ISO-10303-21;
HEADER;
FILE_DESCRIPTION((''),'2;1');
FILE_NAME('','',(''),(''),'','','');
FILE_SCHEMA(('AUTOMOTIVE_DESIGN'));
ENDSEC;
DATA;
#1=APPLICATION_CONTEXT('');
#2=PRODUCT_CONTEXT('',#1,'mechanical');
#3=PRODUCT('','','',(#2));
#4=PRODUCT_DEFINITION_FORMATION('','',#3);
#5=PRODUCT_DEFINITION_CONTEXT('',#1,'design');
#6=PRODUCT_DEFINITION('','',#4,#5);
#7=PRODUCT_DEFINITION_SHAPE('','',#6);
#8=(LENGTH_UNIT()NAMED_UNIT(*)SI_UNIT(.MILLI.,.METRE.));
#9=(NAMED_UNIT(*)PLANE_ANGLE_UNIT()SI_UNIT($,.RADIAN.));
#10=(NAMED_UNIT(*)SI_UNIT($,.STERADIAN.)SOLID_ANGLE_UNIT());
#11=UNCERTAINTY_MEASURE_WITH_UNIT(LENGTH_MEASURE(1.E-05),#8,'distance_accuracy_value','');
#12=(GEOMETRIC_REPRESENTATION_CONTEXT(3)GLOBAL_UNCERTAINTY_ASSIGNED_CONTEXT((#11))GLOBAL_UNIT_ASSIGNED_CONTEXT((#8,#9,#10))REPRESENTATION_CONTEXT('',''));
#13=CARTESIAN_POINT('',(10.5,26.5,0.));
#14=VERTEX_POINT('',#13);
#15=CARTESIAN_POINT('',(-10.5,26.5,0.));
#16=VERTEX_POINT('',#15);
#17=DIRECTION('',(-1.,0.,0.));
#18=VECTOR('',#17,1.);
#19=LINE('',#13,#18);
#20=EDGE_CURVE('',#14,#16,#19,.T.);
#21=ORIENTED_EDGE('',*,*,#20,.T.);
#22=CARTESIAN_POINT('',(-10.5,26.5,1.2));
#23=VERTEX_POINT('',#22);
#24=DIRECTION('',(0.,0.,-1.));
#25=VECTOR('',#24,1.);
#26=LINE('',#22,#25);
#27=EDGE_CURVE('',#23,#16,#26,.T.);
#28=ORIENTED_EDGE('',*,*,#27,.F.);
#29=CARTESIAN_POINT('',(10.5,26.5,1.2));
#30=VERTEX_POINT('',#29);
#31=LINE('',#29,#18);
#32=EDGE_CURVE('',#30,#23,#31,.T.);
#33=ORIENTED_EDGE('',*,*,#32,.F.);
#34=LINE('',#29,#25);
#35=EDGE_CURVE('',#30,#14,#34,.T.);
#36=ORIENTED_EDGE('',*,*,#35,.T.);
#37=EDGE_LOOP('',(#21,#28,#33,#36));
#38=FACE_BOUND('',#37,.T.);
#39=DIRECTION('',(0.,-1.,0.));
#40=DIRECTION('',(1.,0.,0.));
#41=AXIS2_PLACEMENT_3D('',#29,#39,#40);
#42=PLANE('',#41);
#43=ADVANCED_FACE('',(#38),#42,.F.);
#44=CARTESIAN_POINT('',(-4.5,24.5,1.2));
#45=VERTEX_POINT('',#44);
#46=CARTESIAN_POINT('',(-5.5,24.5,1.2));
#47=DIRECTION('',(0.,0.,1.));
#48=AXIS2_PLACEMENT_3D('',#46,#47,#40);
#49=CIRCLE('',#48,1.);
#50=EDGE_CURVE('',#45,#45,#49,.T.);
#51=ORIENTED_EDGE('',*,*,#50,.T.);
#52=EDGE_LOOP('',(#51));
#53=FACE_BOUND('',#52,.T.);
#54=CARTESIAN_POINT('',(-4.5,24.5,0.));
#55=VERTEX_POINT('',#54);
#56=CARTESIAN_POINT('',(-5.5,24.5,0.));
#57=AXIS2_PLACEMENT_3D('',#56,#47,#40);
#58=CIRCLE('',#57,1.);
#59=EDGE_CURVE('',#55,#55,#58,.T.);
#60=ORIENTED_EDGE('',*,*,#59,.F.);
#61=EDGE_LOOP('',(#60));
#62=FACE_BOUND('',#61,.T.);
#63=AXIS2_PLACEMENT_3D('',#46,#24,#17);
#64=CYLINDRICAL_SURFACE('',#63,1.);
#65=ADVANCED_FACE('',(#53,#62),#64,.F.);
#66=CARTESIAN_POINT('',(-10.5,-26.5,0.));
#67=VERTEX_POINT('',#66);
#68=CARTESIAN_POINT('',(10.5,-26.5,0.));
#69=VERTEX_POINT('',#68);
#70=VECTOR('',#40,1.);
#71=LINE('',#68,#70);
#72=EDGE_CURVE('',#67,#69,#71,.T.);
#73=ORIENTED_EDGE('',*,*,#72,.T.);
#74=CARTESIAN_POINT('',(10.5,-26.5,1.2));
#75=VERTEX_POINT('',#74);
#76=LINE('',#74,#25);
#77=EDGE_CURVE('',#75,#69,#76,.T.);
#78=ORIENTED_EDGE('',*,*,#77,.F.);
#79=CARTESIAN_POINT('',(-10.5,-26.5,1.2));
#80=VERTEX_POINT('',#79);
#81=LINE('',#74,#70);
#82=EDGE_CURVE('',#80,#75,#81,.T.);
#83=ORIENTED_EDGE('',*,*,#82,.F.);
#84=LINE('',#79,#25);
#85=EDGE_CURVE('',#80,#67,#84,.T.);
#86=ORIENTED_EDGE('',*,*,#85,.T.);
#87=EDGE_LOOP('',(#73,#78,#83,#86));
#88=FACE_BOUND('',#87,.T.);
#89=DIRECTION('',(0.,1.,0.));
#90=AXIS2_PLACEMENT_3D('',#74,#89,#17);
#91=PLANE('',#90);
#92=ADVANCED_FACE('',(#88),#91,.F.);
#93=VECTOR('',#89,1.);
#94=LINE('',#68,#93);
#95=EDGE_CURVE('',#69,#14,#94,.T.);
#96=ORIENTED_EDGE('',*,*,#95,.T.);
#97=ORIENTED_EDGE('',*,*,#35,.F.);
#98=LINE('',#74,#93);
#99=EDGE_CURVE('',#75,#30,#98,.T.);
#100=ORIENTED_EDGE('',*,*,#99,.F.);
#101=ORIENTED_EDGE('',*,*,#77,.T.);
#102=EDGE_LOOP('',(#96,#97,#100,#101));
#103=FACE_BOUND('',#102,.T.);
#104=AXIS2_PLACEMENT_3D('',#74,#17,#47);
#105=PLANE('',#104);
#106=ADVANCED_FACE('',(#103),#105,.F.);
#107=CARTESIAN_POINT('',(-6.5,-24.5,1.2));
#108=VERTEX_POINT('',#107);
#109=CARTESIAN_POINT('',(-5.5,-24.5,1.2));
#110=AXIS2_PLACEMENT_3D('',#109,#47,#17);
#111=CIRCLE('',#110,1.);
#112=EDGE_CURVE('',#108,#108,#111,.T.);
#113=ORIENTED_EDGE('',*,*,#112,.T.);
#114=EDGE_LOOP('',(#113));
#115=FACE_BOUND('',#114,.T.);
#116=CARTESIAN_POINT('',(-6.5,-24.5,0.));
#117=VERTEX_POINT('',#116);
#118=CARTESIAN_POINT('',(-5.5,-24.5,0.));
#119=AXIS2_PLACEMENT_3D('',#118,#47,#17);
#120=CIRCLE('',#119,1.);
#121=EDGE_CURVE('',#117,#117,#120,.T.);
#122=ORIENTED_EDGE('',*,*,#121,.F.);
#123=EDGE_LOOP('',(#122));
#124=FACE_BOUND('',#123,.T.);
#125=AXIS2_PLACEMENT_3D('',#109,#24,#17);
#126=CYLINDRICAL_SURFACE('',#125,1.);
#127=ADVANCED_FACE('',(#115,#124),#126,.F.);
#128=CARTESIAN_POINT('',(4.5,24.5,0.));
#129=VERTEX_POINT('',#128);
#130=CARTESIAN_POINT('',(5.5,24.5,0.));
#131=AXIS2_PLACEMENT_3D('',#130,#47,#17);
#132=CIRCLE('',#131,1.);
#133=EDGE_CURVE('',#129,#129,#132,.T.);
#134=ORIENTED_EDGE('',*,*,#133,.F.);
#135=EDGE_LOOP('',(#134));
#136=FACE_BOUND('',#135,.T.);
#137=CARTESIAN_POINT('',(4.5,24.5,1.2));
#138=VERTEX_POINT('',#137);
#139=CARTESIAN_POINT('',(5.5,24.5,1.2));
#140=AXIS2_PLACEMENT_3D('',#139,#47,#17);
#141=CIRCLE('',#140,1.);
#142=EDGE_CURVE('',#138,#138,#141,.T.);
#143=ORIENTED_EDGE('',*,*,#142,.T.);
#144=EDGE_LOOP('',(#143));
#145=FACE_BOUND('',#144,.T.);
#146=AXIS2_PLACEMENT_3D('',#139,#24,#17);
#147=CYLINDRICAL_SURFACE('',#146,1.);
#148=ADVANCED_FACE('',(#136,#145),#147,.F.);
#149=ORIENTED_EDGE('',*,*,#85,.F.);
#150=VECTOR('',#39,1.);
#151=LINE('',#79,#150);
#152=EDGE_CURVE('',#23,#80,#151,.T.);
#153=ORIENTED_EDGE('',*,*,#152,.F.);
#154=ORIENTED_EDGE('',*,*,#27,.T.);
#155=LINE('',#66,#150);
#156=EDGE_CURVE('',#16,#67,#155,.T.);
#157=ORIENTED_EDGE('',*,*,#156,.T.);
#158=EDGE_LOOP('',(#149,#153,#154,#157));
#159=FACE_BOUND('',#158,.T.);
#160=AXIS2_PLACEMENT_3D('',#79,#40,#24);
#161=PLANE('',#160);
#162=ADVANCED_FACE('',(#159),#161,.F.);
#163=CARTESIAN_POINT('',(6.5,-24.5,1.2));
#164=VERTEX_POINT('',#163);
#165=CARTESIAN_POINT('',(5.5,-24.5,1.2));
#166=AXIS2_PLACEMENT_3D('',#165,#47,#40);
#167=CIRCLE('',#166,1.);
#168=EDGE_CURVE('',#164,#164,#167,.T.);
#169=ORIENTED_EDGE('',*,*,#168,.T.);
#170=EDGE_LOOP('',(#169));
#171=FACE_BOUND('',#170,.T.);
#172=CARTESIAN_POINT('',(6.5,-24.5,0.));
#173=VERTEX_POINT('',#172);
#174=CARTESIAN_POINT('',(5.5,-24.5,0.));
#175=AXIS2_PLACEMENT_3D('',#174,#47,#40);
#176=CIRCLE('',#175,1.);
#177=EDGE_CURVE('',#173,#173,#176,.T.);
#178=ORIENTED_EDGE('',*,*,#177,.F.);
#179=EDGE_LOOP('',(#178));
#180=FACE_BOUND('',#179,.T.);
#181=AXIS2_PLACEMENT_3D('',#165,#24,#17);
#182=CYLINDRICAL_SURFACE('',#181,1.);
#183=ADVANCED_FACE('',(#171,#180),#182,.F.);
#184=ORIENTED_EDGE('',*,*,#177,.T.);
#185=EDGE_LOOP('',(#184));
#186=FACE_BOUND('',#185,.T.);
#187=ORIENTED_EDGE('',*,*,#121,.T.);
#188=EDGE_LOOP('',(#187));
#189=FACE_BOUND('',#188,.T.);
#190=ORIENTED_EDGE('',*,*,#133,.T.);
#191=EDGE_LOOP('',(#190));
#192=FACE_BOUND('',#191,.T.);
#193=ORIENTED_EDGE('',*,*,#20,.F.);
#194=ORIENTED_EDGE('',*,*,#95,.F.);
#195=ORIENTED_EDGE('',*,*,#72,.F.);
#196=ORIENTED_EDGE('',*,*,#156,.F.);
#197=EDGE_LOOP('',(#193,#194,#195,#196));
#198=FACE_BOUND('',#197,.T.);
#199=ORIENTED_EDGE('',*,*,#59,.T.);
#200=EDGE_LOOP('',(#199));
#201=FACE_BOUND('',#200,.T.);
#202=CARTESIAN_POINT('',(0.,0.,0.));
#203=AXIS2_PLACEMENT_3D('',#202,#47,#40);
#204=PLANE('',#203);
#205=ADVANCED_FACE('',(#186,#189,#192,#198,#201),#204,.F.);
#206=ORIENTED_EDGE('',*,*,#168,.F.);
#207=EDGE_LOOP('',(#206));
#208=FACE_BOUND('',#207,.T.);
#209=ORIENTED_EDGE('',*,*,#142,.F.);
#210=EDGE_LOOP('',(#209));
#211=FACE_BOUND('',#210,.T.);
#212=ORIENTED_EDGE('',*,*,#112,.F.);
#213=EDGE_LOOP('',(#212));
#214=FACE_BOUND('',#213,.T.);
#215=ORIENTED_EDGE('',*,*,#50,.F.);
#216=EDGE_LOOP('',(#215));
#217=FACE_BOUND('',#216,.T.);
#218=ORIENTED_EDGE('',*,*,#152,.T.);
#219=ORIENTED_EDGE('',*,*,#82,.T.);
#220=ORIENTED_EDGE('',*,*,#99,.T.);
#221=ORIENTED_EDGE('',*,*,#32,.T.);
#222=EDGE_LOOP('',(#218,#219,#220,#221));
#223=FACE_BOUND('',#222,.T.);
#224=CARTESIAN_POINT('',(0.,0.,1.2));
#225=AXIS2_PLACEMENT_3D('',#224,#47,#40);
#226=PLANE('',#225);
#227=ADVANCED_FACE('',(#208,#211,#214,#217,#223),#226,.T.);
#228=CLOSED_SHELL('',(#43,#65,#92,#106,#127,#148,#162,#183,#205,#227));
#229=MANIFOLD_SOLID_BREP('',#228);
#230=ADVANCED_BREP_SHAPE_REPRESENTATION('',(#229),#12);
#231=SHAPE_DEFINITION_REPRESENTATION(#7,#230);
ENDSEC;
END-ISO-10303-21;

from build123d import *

# Parameters (mm, degrees)
SKETCH_1_W      = 21
SKETCH_1_H      = 53
SKETCH_1_R      = 1
EXTRUDE_1_DEPTH = 1.2


with BuildPart() as part:
    # 草图1 → 凸台-拉伸1 (new body)
    with BuildSketch(Plane.XY):
        Rectangle(SKETCH_1_W, SKETCH_1_H)
        with Locations((-5.5, 24.5)):
            Circle(SKETCH_1_R, mode=Mode.SUBTRACT)
        with Locations(Location((5.5, 24.5, 0), (0, 0, 180))):
            Circle(SKETCH_1_R, mode=Mode.SUBTRACT)
        with Locations((5.5, -24.5)):
            Circle(SKETCH_1_R, mode=Mode.SUBTRACT)
        with Locations(Location((-5.5, -24.5, 0), (0, 0, 180))):
            Circle(SKETCH_1_R, mode=Mode.SUBTRACT)
    extrude(amount=EXTRUDE_1_DEPTH)


solid = part.part
